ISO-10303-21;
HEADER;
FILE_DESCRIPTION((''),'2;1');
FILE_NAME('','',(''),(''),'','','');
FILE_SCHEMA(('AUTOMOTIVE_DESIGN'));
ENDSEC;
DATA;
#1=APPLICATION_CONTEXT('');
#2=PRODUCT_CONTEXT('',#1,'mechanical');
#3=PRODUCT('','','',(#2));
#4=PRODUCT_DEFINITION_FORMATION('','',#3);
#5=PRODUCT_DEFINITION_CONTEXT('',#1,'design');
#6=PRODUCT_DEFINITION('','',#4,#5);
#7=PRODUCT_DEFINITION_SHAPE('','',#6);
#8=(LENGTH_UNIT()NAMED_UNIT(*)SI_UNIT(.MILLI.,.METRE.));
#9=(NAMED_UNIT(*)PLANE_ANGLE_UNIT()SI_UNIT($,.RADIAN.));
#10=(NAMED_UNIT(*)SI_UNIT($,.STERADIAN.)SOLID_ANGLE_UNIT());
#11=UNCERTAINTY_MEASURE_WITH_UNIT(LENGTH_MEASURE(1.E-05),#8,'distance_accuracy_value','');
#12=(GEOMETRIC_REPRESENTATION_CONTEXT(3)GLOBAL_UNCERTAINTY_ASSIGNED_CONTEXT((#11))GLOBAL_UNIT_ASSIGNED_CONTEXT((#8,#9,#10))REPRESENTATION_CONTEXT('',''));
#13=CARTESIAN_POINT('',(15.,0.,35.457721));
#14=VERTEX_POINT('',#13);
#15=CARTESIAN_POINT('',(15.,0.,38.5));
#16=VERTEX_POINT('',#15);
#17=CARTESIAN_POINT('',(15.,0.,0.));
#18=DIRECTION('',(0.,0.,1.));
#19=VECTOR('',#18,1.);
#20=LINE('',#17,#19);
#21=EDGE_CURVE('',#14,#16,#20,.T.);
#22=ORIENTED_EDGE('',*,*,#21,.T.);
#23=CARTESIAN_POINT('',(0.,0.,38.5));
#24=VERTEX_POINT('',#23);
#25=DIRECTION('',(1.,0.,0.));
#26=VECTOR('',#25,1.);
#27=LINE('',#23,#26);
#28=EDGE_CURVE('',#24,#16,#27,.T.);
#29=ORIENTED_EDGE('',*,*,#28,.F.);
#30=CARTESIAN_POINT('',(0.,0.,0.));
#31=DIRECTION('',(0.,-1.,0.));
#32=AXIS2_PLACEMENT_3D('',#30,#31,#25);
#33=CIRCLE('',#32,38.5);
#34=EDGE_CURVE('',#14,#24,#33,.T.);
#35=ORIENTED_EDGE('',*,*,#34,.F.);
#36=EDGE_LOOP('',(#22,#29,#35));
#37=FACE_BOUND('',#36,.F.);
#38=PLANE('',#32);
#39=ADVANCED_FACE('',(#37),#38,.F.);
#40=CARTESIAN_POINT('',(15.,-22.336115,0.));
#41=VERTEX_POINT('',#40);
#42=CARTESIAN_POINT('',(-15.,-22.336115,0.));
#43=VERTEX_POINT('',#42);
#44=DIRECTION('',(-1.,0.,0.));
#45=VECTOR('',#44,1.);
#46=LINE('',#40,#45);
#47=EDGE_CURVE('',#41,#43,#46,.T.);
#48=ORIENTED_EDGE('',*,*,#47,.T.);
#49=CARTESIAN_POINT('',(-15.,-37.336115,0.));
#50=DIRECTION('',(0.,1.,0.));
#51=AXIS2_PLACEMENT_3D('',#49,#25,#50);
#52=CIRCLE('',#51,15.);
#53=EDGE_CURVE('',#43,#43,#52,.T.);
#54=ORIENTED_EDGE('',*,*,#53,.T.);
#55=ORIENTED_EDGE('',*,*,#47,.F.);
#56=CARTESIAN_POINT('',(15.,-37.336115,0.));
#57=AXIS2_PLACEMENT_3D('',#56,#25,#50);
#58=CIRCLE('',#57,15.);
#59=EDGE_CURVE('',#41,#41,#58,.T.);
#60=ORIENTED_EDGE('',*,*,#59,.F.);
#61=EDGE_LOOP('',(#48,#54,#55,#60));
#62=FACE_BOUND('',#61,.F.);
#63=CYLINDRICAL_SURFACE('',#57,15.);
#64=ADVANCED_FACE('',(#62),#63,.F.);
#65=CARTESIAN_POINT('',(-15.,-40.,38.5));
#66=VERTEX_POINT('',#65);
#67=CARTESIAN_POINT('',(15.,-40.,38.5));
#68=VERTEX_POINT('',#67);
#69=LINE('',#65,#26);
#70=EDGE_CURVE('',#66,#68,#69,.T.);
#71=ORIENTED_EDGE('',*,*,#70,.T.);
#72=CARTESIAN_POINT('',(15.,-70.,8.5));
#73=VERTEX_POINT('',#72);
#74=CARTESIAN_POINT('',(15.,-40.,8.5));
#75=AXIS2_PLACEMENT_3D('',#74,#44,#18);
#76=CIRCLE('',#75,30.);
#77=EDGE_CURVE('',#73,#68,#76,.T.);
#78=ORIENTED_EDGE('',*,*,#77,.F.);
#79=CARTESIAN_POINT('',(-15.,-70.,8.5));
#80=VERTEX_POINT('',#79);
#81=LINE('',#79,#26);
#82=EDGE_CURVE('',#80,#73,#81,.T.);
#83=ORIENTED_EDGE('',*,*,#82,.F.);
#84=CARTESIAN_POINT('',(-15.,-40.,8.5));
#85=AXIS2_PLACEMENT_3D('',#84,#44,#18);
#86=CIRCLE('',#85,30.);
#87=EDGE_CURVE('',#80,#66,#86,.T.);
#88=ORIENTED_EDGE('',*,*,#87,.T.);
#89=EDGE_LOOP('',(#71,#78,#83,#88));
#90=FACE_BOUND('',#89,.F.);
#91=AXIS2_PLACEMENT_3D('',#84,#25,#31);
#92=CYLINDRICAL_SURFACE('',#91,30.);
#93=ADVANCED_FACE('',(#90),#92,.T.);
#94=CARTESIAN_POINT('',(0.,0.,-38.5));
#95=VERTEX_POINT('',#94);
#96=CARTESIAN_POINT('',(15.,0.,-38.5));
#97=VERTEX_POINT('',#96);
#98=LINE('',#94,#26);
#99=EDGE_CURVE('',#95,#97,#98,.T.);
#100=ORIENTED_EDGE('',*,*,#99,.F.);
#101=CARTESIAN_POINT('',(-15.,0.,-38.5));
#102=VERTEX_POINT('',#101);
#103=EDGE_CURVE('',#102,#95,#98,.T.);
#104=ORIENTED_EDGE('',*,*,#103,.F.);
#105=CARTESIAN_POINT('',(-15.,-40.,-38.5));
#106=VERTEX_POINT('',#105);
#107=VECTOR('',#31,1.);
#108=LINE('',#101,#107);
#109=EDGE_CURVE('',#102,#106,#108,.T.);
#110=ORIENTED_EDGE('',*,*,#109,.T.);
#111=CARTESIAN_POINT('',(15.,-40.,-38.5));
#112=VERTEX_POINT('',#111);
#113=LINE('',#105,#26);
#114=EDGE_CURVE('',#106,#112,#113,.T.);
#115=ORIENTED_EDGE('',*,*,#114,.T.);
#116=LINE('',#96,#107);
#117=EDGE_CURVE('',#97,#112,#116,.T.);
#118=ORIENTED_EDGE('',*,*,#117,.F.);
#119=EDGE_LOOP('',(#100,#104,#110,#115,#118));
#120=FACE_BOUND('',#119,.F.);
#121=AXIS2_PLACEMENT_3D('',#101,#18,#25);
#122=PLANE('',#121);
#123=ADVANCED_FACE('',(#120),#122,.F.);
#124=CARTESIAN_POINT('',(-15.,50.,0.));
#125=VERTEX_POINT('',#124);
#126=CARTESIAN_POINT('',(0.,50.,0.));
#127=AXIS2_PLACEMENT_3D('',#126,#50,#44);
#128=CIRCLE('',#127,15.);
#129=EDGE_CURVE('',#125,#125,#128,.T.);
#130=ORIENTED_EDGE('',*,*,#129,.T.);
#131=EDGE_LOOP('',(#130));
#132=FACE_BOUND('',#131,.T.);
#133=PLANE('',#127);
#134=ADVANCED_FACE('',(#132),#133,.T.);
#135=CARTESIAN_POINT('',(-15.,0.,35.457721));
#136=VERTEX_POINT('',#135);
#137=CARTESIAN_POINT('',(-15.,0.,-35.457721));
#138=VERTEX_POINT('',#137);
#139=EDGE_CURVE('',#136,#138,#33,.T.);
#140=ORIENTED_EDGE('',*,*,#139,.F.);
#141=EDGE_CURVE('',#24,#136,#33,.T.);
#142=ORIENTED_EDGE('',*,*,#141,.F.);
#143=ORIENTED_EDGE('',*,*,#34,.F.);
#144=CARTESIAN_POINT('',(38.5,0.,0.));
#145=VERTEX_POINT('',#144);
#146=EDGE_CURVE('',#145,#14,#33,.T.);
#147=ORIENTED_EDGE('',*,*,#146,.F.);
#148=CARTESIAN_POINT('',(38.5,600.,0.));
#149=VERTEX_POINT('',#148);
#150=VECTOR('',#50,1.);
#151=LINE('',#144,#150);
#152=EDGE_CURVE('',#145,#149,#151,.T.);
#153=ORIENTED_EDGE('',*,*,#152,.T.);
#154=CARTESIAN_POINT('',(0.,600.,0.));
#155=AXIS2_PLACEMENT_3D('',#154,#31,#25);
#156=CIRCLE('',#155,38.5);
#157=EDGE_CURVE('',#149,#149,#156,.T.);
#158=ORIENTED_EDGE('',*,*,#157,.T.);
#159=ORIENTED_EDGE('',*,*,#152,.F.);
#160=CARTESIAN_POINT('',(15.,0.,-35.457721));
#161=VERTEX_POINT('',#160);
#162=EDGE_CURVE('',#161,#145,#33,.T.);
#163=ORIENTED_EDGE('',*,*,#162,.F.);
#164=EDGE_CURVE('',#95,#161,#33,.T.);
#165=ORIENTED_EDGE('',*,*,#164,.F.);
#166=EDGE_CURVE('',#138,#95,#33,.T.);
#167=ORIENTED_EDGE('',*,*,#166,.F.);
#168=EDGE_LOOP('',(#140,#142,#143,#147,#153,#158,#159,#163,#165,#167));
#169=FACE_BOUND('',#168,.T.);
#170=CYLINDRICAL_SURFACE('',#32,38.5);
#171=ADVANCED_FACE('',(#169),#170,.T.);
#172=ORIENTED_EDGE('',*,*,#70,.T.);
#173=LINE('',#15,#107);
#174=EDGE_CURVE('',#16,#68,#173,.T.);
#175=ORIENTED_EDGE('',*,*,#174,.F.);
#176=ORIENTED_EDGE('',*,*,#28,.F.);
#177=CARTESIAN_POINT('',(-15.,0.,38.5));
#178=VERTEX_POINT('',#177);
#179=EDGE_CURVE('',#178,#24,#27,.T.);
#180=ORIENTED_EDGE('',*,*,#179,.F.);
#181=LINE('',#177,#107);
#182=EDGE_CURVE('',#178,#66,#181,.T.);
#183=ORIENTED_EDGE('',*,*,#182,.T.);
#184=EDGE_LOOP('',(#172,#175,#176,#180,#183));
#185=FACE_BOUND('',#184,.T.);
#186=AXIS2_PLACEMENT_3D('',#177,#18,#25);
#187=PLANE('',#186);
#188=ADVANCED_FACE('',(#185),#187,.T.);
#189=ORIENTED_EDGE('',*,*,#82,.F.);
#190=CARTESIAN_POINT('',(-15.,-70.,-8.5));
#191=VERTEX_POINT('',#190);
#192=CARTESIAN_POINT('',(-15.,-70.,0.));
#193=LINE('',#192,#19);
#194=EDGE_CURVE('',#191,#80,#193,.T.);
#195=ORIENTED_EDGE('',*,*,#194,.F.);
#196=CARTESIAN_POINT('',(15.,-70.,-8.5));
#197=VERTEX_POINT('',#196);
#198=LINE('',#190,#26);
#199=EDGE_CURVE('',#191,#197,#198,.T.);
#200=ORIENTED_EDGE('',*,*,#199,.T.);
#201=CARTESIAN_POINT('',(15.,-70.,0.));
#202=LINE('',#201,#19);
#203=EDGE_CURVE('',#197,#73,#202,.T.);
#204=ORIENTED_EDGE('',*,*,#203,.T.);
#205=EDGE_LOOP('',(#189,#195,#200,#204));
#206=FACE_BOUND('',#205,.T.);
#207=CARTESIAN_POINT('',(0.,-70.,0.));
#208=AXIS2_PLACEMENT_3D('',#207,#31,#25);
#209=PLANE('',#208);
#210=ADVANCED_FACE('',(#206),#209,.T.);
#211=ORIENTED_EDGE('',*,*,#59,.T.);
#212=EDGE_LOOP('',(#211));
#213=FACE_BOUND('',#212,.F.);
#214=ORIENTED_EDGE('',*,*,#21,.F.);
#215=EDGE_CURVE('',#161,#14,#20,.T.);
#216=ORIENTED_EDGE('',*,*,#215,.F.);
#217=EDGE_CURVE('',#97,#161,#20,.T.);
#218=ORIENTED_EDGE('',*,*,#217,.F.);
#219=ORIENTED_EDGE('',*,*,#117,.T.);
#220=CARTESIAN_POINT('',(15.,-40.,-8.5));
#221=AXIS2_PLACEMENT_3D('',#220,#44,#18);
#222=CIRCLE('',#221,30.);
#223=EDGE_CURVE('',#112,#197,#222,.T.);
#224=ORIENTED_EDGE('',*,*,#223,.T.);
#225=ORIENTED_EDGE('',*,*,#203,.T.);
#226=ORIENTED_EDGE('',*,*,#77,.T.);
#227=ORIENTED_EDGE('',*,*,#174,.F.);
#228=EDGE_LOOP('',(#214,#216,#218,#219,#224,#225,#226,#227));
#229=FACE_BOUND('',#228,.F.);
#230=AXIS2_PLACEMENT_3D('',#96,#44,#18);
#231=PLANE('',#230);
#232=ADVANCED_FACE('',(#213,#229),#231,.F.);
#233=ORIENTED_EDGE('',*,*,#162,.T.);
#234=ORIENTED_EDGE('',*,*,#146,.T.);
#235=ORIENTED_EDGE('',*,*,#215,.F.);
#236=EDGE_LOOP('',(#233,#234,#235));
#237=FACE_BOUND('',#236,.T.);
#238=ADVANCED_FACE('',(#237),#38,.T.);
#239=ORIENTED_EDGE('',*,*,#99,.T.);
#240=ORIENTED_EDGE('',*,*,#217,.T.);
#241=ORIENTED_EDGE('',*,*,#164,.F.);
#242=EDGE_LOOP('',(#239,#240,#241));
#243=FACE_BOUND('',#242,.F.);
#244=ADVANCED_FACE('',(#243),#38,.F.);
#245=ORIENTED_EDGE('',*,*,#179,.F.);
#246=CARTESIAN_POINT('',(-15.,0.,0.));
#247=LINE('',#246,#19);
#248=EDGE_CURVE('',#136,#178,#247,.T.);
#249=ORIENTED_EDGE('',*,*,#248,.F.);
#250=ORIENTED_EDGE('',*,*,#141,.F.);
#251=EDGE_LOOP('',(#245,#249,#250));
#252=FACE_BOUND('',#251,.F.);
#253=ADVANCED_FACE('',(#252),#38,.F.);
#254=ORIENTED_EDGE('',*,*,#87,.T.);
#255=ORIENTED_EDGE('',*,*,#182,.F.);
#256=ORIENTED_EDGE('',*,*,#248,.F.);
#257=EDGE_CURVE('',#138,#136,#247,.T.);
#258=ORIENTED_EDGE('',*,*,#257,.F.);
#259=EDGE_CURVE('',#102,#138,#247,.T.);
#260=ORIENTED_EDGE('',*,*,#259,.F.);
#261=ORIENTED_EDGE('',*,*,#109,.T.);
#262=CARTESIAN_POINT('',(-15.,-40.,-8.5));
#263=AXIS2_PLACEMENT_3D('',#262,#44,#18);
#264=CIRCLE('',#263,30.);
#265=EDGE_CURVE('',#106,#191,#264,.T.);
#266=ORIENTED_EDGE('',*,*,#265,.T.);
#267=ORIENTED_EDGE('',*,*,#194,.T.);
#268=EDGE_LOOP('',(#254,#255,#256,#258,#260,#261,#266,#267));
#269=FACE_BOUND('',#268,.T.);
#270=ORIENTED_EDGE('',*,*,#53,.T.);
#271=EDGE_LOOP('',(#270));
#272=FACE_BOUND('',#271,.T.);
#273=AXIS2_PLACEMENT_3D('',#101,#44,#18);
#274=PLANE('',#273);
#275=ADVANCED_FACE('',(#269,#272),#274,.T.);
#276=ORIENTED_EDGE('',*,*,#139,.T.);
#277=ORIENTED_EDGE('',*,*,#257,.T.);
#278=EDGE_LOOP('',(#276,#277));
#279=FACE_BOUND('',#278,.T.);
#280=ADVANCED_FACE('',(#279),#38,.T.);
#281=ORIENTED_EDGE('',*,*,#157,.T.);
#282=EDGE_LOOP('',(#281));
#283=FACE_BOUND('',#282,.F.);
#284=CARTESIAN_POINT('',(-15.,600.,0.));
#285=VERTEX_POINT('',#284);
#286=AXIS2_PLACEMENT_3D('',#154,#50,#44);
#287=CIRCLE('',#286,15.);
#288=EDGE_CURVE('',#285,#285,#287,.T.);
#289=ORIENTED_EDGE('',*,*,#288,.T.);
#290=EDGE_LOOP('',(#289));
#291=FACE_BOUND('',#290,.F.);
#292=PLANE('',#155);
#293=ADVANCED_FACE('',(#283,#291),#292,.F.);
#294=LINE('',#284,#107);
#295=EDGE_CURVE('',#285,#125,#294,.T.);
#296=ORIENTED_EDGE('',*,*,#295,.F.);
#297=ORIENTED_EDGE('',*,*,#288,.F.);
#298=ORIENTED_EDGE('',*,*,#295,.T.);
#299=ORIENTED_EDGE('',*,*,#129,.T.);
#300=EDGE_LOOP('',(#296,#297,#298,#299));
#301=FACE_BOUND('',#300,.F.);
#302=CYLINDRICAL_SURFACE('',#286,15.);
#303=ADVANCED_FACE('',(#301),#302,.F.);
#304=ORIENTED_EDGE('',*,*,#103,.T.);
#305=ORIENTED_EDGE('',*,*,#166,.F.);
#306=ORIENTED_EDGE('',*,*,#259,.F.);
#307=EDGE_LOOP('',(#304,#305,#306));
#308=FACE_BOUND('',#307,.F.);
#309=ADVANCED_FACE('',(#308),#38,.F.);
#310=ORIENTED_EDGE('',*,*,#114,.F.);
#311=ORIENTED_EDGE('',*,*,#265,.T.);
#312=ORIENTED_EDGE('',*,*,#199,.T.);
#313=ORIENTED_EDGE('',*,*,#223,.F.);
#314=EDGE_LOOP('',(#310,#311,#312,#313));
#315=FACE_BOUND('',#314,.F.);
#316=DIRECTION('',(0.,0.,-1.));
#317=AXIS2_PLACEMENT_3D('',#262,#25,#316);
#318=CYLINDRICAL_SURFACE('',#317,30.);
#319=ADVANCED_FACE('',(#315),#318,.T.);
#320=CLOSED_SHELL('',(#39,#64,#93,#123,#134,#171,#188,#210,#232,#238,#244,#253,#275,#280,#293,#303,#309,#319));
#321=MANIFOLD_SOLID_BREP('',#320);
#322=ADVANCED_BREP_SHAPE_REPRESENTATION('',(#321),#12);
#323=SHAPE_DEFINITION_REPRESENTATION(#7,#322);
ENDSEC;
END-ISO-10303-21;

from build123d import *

# Parameters (mm, degrees)
F0_R     = 38.5
F1_DEPTH = 600
F2_W     = 30
F2_H     = 77
F3_DEPTH = 70
F4_R     = 15
F5_DEPTH = 53.501
F6_R     = 30
F7_R     = 15
F8_DEPTH = 550


with BuildPart() as f1:
    # F0 (on Front) → F1 (new body)
    with BuildSketch(Plane.XZ):
        Circle(F0_R)
    extrude(amount=-F1_DEPTH)

    # F2 (on face) → F3 (join)
    with BuildSketch(Plane.XZ):
        Rectangle(F2_W, F2_H)
    extrude(amount=F3_DEPTH)

    # F4 (on face) → F5 (cut, through all)
    with BuildSketch(Plane.YZ.offset(15)):
        with Locations((-37.336115, 0)):
            Circle(F4_R)
    extrude(amount=-F5_DEPTH, mode=Mode.SUBTRACT)

    # F6
    f6_edges = [f1.edges().sort_by_distance(p)[0] for p in [
        (0, -70, 38.5),
        (0, -70, -38.5),
    ]]
    fillet(f6_edges, radius=F6_R)

    # F7 (on face) → F8 (cut)
    with BuildSketch(Plane(origin=(0, 600, 0), x_dir=(-1, 0, 0), z_dir=(0, 1, 0))):
        Circle(F7_R)
    extrude(amount=-F8_DEPTH, mode=Mode.SUBTRACT)


solid = f1.part
